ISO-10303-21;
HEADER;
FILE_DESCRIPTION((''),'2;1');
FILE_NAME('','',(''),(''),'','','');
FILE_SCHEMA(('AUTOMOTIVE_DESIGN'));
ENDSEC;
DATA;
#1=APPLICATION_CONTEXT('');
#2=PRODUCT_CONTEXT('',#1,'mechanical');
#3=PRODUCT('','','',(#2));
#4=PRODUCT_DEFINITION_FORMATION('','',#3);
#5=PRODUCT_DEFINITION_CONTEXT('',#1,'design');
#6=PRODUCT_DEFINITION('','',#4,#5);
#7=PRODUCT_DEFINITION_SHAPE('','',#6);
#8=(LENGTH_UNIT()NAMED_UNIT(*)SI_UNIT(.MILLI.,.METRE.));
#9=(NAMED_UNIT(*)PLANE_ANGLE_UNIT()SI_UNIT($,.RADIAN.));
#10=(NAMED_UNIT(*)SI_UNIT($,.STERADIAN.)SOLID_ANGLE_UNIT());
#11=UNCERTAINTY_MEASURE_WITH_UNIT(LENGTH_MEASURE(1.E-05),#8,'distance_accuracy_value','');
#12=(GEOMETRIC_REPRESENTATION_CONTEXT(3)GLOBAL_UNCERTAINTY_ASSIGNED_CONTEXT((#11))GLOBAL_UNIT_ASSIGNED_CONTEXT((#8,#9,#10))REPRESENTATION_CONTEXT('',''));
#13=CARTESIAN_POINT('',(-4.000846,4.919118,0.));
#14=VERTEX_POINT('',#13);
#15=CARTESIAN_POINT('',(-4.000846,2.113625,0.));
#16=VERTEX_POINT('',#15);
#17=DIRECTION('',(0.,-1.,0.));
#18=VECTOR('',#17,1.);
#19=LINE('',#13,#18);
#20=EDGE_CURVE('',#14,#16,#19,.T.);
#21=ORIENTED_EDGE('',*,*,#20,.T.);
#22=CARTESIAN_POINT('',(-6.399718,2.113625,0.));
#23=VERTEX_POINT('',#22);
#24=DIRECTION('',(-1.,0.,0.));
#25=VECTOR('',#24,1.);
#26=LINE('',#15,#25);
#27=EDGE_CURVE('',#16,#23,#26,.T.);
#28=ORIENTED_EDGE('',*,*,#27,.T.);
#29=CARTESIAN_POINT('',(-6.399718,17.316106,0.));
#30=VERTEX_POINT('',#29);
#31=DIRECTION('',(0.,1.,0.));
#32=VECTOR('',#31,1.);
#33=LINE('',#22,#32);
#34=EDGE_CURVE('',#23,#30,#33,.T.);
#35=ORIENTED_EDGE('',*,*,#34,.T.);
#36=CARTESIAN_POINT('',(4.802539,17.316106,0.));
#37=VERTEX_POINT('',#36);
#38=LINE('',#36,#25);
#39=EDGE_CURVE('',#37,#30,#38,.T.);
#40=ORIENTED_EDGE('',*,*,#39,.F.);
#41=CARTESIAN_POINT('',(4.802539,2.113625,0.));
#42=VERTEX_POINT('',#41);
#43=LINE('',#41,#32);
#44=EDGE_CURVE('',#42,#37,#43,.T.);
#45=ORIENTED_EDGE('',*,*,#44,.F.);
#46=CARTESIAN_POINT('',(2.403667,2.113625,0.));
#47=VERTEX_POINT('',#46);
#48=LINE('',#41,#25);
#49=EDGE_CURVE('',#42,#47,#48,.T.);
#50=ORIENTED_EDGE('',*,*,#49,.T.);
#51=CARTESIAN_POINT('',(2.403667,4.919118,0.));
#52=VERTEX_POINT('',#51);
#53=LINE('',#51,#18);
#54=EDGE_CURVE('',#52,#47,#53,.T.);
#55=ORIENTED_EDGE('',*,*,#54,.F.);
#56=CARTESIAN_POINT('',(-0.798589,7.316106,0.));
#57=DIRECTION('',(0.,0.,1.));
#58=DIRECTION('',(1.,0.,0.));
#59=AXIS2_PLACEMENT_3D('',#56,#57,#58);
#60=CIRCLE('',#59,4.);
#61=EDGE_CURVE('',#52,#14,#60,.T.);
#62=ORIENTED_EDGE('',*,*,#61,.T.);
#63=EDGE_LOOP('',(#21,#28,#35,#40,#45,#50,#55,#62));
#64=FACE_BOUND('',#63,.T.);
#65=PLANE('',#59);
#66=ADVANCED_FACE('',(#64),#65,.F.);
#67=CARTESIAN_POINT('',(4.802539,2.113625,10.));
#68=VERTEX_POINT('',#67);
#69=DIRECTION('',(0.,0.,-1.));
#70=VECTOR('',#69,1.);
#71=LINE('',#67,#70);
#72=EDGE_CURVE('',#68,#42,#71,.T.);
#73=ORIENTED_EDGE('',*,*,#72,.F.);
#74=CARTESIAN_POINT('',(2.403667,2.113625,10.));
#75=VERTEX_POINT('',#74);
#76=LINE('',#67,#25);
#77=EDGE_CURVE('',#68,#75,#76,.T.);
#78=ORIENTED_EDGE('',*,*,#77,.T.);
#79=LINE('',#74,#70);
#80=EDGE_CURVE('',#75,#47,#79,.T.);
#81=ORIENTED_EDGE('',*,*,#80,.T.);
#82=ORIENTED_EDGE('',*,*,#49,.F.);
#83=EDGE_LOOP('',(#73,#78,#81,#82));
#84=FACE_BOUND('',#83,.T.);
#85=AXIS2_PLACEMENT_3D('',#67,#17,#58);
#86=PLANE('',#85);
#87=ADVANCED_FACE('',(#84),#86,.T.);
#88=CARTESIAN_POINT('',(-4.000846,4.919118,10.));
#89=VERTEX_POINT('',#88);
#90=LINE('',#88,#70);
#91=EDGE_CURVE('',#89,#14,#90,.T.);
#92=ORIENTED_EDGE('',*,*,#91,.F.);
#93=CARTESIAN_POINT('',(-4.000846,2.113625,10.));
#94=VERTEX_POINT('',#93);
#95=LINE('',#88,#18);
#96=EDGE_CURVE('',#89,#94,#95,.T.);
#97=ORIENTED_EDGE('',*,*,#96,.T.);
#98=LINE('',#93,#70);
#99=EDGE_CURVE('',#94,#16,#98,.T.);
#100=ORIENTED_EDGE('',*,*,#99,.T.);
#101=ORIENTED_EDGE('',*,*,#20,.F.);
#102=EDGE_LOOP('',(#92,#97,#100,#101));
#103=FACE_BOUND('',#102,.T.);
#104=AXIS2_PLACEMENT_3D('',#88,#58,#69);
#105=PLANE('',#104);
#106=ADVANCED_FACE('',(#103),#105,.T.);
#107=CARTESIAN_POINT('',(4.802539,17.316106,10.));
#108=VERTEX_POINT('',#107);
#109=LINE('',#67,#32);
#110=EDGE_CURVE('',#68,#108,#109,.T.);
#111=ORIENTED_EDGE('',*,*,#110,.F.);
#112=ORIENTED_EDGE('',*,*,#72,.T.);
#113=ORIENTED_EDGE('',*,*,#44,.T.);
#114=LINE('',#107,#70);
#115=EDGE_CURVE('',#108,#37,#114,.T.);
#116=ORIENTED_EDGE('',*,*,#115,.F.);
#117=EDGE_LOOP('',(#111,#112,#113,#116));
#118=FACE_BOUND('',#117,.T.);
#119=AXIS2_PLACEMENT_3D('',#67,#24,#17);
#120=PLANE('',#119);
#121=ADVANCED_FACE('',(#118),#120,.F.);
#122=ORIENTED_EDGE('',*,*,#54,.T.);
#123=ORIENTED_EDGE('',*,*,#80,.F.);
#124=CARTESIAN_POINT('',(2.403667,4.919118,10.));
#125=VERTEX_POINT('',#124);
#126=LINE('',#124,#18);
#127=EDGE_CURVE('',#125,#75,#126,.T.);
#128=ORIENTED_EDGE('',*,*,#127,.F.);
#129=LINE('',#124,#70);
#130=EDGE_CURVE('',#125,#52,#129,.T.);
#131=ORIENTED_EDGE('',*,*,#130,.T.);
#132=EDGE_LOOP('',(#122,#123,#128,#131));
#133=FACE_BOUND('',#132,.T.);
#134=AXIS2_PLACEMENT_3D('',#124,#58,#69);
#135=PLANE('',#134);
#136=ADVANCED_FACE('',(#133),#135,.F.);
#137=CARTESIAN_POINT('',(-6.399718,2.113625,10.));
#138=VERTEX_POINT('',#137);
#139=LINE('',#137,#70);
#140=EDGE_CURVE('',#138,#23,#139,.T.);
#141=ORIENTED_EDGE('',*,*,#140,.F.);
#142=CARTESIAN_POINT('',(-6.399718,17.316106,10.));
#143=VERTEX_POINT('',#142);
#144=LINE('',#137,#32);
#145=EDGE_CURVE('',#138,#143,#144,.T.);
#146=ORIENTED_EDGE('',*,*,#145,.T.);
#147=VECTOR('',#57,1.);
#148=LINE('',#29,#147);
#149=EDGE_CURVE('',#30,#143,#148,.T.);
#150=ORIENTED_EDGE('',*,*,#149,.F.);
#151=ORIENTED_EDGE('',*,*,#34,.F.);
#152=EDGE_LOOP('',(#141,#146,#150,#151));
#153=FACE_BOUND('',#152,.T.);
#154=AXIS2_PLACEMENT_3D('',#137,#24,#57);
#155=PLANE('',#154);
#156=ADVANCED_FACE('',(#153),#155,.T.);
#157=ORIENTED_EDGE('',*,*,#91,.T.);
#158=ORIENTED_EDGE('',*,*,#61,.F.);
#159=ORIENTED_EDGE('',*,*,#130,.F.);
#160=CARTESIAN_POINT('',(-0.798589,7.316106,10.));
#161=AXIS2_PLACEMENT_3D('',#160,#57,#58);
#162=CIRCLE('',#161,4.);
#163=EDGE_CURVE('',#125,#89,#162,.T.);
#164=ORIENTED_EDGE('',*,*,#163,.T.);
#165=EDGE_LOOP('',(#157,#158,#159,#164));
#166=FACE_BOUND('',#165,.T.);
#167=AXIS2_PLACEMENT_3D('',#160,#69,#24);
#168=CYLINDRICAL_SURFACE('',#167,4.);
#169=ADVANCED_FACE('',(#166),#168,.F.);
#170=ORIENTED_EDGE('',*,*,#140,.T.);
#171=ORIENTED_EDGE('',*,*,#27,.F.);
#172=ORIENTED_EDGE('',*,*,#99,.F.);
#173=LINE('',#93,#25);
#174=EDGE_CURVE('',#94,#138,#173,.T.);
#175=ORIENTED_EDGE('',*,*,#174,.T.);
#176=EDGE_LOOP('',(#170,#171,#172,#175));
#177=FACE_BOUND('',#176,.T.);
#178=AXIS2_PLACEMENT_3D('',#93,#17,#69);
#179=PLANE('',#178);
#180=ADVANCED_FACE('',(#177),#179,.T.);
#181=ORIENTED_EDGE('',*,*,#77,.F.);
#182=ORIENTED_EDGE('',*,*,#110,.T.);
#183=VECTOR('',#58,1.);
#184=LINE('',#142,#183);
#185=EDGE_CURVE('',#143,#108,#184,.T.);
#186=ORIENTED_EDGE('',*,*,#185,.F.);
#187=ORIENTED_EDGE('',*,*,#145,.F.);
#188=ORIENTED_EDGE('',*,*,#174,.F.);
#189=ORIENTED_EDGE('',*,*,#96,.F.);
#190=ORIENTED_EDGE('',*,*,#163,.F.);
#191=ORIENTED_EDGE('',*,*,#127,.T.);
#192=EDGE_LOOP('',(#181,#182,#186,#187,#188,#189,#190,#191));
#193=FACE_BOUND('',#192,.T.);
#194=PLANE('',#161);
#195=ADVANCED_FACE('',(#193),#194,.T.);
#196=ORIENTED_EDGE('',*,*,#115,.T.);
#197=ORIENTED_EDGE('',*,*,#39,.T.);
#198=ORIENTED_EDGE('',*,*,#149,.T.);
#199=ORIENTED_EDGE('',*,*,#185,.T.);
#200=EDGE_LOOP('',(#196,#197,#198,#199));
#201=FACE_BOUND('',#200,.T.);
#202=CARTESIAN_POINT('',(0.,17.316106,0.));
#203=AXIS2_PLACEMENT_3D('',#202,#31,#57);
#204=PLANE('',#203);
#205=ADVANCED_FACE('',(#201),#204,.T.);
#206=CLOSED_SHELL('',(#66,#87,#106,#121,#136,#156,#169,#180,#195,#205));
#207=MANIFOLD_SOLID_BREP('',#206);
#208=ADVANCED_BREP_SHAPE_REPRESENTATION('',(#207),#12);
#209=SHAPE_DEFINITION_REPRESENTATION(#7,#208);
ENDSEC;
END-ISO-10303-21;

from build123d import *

# Parameters (mm, degrees)
BOSS_EXTRUDE1_DEPTH = 10
SKETCH2_W           = 11.202256629
SKETCH2_H           = 10
BOSS_EXTRUDE2_DEPTH = 4


with BuildPart() as part:
    # Sketch1 → Boss-Extrude1 (new body)
    with BuildSketch(Plane.XY):
        with BuildLine():
            Line((-4.000846014, 2.113625207), (-6.3997177, 2.113625207))
            Line((-6.3997177, 2.113625207), (-6.3997177, 13.316105715))
            Line((-6.3997177, 13.316105715), (4.802538929, 13.316105715))
            Line((4.802538929, 13.316105715), (4.802538929, 2.113625207))
            Line((4.802538929, 2.113625207), (2.403667244, 2.113625207))
            Line((2.403667244, 2.113625207), (2.403667244, 4.919117505))
            ThreePointArc((2.403667244, 4.919117505), (-0.798589385, 11.316105715), (-4.000846014, 4.919117505))
            Line((-4.000846014, 4.919117505), (-4.000846014, 2.113625207))
        make_face()
    extrude(amount=BOSS_EXTRUDE1_DEPTH)

    # Sketch2 → Boss-Extrude2 (add)
    with BuildSketch(Plane(origin=(0, 13.316105715, 0), x_dir=(1, 0, 0), z_dir=(0, 1, 0))):
        with Locations((-0.798589385, -5)):
            Rectangle(SKETCH2_W, SKETCH2_H)
    extrude(amount=BOSS_EXTRUDE2_DEPTH)


solid = part.part
